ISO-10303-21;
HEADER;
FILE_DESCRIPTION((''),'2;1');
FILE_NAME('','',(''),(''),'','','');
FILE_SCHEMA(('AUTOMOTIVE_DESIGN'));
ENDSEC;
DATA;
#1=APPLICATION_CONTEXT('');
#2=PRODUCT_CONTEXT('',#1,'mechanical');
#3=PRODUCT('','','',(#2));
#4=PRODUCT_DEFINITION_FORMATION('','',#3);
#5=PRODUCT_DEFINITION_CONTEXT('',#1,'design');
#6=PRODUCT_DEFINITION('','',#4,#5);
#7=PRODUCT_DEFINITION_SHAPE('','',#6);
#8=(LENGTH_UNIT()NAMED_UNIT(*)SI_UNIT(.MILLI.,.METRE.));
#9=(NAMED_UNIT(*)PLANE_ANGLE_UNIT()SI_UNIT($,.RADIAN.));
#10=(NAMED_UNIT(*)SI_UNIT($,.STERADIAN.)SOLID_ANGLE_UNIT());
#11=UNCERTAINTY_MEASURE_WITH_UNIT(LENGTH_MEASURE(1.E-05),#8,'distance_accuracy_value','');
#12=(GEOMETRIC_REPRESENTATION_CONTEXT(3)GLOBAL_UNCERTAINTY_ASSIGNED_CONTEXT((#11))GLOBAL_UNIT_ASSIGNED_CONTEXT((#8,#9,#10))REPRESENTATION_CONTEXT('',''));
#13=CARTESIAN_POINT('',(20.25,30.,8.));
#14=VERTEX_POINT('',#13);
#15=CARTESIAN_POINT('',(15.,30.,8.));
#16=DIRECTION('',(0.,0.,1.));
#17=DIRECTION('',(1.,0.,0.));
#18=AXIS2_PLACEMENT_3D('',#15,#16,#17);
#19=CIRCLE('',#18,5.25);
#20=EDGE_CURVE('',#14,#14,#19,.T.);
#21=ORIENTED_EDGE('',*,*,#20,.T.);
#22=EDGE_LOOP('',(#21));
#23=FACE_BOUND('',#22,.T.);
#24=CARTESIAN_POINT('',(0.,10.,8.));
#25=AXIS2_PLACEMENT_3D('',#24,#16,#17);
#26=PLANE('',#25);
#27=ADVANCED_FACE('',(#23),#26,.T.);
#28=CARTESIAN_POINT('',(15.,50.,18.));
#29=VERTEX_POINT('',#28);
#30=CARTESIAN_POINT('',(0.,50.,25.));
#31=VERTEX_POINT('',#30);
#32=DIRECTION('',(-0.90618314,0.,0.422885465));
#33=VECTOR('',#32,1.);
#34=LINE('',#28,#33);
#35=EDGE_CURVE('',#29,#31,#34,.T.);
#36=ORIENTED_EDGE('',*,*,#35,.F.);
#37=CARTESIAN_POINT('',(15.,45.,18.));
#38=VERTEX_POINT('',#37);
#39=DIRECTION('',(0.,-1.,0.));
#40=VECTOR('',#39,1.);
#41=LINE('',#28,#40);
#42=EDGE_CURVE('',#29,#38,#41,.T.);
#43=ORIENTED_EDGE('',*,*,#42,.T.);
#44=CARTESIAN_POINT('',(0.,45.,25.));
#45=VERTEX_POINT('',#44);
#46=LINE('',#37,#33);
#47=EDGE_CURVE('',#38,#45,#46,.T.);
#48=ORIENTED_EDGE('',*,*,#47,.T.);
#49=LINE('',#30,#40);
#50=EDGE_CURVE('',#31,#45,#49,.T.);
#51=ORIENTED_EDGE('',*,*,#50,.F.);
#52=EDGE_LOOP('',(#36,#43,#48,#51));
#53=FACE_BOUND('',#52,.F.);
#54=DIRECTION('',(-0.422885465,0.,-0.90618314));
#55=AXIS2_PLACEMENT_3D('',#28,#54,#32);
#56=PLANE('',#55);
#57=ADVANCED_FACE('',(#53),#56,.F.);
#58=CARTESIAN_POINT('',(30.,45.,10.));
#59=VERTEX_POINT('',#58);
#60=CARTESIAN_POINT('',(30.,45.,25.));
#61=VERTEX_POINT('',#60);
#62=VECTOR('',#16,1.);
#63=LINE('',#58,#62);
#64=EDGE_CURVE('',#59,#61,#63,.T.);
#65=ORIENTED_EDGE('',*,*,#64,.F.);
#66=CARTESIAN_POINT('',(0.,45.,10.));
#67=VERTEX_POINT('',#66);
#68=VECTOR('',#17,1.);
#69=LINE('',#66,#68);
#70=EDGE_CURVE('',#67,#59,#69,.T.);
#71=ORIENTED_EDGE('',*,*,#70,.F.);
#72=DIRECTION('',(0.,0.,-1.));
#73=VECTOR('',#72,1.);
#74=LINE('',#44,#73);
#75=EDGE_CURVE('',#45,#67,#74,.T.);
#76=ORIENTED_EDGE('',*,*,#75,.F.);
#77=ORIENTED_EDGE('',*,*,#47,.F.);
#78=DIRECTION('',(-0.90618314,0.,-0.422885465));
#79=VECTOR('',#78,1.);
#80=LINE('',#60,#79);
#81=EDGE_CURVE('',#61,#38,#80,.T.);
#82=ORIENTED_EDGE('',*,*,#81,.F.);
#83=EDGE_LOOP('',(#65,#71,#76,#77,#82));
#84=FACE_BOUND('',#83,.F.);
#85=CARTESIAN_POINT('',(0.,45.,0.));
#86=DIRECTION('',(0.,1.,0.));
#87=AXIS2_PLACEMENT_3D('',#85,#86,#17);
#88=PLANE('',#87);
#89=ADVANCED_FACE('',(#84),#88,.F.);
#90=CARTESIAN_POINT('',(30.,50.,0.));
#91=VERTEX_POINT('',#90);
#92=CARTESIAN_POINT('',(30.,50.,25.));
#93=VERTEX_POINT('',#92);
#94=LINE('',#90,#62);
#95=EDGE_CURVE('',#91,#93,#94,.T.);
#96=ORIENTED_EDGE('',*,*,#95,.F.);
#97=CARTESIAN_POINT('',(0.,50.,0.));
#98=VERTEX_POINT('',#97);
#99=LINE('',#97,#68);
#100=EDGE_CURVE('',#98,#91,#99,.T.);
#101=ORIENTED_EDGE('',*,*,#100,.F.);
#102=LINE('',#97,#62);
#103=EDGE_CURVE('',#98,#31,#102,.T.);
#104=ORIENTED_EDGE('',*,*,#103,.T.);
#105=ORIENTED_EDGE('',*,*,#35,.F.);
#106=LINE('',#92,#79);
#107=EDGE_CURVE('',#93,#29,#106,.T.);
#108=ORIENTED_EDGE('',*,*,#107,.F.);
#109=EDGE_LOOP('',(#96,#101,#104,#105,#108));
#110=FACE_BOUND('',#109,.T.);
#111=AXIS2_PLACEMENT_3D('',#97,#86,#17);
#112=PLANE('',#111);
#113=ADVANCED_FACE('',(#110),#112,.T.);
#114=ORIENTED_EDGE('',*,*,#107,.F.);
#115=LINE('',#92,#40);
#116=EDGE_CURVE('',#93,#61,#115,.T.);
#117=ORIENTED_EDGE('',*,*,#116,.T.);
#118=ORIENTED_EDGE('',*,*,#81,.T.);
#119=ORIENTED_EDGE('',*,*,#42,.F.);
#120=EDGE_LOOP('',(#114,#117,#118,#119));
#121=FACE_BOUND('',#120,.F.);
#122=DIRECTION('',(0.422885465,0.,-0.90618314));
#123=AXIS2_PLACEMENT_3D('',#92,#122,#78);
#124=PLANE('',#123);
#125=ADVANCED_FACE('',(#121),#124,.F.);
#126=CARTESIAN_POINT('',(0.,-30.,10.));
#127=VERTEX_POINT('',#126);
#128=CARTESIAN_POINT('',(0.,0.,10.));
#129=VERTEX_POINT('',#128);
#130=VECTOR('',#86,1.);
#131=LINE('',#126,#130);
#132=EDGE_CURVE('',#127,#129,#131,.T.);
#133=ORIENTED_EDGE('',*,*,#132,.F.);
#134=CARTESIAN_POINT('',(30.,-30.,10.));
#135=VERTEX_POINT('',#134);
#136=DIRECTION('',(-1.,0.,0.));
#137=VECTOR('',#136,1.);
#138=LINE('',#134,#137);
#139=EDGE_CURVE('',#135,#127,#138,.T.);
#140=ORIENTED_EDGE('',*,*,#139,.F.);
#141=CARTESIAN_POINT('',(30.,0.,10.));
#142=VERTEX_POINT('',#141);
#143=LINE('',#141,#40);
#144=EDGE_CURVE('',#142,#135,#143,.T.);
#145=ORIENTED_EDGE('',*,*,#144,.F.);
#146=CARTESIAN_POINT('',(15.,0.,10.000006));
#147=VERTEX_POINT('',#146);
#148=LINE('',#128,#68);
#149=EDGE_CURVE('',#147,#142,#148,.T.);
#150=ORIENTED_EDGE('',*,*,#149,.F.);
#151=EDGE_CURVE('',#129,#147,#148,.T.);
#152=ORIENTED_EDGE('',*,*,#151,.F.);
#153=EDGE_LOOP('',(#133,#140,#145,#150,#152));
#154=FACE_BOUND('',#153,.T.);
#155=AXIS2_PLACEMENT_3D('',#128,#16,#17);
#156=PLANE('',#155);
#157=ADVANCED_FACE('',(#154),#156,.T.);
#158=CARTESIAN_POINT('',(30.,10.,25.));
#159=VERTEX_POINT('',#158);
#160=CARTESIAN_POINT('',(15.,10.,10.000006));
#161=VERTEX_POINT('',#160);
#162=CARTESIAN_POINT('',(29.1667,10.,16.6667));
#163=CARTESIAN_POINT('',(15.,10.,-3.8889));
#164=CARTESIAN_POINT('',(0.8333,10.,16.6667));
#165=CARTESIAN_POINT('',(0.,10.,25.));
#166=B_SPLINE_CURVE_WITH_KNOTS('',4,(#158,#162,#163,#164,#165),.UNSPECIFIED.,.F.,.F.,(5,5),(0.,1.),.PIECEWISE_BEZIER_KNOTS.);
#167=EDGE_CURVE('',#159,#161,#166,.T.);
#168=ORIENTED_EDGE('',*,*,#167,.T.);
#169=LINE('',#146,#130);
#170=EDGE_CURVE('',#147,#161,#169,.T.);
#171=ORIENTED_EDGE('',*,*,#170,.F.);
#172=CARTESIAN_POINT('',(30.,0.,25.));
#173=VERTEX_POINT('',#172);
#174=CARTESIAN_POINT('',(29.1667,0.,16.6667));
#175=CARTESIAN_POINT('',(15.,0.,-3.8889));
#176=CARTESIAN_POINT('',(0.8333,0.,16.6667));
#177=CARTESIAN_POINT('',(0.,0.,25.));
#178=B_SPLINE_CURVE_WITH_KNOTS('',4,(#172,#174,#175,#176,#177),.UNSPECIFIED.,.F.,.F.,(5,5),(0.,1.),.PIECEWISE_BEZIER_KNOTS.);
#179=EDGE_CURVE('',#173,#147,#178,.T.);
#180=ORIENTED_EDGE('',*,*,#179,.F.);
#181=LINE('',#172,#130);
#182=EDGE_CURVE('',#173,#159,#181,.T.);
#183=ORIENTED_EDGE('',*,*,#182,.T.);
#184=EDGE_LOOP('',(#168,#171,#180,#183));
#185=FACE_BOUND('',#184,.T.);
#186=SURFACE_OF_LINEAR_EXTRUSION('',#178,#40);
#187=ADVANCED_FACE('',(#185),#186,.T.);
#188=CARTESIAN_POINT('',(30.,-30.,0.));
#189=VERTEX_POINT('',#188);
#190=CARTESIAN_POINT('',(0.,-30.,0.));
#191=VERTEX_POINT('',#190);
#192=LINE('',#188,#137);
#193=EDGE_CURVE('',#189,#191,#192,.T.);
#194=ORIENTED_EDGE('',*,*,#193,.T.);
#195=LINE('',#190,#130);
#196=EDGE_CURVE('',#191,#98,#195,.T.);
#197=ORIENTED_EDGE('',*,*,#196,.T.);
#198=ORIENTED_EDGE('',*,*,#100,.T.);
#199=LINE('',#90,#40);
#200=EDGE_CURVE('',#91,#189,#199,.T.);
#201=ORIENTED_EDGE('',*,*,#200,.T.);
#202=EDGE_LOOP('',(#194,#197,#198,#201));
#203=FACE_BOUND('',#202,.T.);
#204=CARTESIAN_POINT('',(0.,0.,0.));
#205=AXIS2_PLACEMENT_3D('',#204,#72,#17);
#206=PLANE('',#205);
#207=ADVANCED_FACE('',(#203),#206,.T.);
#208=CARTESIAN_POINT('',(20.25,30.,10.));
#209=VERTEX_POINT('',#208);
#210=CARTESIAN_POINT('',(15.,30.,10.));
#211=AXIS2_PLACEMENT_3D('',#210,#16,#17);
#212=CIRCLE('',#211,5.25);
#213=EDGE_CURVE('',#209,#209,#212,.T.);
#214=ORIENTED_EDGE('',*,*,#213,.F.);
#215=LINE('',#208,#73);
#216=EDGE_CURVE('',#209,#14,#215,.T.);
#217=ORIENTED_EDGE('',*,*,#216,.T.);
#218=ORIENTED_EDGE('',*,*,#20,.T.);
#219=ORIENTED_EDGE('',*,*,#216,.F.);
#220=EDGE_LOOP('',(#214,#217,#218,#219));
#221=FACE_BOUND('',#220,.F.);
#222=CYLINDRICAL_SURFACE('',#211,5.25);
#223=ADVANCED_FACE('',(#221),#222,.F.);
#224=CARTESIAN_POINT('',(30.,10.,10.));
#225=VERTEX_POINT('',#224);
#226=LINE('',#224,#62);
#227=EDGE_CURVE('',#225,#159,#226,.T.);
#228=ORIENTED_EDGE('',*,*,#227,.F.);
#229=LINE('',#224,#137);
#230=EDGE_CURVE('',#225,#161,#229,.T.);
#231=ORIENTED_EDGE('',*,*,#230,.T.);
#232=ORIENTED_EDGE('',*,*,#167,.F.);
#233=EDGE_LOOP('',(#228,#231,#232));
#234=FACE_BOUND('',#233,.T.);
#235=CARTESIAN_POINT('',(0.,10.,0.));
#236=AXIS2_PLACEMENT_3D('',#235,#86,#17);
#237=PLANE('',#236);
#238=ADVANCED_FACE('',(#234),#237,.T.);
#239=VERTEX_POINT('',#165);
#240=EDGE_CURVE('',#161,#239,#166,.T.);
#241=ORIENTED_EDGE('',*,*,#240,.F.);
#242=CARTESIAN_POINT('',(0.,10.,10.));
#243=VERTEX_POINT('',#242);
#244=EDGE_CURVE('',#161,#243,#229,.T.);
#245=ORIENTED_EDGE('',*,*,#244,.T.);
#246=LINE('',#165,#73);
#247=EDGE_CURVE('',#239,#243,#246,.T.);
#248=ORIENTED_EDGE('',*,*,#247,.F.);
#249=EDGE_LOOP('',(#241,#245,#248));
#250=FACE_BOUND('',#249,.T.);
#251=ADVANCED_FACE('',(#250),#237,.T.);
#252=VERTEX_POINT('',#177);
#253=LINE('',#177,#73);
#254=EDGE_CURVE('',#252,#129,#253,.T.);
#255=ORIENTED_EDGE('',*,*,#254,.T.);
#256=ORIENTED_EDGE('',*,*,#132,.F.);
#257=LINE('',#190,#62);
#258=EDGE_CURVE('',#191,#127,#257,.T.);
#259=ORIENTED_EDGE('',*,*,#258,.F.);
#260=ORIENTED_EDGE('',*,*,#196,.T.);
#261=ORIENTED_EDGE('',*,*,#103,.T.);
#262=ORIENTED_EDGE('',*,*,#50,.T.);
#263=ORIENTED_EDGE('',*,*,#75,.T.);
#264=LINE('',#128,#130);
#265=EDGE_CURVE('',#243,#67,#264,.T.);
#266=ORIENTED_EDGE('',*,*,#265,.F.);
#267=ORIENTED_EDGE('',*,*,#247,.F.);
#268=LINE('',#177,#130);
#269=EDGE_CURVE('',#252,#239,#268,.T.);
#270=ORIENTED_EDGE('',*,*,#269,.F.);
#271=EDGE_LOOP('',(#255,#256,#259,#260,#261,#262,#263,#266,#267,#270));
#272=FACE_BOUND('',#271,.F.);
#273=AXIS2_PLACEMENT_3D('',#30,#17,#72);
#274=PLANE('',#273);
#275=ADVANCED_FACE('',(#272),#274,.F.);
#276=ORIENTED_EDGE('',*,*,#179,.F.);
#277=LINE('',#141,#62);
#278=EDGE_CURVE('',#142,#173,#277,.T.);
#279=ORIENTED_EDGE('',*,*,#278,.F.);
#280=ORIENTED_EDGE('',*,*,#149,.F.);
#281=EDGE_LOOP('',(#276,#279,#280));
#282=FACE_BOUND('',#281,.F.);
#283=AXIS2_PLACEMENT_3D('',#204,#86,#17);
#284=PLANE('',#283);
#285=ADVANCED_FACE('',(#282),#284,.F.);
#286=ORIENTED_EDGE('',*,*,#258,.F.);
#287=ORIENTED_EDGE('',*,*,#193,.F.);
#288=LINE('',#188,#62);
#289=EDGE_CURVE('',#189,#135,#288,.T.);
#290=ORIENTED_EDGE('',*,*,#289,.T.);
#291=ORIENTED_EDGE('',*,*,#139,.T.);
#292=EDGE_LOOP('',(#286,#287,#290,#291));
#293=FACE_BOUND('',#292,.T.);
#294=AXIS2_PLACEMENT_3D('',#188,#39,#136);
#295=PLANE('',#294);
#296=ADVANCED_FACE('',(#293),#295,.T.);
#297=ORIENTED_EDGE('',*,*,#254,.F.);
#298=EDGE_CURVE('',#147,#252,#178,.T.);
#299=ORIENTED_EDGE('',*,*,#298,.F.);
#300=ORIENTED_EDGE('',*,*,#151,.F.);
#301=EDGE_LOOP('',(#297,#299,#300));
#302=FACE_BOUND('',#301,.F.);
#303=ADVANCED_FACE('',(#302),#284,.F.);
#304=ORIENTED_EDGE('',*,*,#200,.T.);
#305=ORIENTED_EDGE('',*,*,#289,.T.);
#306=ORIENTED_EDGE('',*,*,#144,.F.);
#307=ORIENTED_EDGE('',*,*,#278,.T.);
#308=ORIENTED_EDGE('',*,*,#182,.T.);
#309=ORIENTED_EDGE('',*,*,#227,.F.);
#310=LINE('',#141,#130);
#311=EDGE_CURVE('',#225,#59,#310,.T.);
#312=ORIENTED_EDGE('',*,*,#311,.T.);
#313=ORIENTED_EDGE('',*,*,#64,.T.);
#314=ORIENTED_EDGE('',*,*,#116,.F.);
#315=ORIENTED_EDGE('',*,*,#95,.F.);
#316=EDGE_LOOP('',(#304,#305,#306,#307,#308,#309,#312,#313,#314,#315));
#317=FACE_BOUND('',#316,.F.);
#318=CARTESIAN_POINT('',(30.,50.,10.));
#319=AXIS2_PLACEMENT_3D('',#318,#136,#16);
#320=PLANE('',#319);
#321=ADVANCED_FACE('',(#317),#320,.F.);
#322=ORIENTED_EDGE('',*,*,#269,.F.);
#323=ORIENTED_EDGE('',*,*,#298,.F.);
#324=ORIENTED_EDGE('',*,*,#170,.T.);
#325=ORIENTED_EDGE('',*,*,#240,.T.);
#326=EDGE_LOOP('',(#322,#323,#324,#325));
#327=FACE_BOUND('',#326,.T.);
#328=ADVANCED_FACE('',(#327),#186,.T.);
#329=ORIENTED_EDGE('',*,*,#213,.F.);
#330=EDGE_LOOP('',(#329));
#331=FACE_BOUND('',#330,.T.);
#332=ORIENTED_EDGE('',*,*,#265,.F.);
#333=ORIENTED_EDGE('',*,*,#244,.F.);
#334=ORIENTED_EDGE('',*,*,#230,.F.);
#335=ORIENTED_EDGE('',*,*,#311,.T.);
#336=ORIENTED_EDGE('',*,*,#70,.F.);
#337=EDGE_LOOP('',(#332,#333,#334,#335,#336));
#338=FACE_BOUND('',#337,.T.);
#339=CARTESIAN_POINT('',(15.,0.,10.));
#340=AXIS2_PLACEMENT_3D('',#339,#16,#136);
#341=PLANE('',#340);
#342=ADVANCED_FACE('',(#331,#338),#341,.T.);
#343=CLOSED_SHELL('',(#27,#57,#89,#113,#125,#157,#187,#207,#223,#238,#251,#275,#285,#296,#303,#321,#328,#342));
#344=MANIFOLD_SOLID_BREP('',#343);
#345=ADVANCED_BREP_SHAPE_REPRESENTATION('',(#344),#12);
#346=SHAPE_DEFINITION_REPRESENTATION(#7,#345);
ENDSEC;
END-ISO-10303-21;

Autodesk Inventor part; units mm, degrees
ref_plane "YZ Plane" through (0, 0, 0) normal (1, 0, 0) x (0, 1, 0)
ref_plane "XZ Plane" through (0, 0, 0) normal (0, 1, 0) x (-1, 0, 0)
ref_plane "XY Plane" through (0, 0, 0) normal (0, 0, 1) x (1, 0, 0)
sketch "Sketch1" plane through (0, 0, 0) normal (0, 0, 1) x (1, 0, 0)
  line L0 (0, 0) -> (30, 0)
  line L1 (30, 0) -> (30, -30)
  line L2 (30, -30) -> (0, -30)
  line L3 (0, -30) -> (0, 0)
  dimension "d2" = 30
  dimension "d3" = 30
extrude "Extrusion1" add sketch "Sketch1" along normal blind 10
sketch "Sketch2" plane through (0, 0, 0) normal (0, 1, 0) x (1, 0, 0)
  line L0 (30, -10) -> (0, -10) projected
  line L1 (30, -10) -> (30, -25)
  line L2 (0, 0) -> (0, -10) projected
  line L3 (0, -25) -> (0, -10)
  spline S0 degree 4 poles (30, -25) (29.1667, -16.6667) (15, 3.8889) (0.8333, -16.6667) (0, -25) knots 0 0 0 0 0 1 1 1 1 1
  line L4 (15, -10) -> (30, -10) construction
  line L5 (15, -10) -> (0, -10) construction
  line L6 (0, -10) -> (5, -15) construction
  line L7 (5, -15) -> (25, -15) construction
  line L8 (30, -10) -> (25, -15) construction
  point P0 (24.1347, -10)
  point P1 (8.1347, -10)
  point P2 (15, -10)
  point P3 (0, -25)
  point P4 (30, -25)
  dimension "d16" = 15
  dimension "d18" = 0
  dimension "d19" = 5
  dimension "d20" = 5
extrude "Extrusion2" add sketch "Sketch2" along normal blind 10
sketch "Sketch3" plane through (0, 0, 0) normal (0, 1, 0) x (1, 0, 0)
  line L0 (0, 0) -> (30, 0) projected
  line L1 (0, 0) -> (0, -10) projected
  line L2 (30, 0) -> (30, -10) projected
  line L3 (15, -10) -> (0, -10) projected
  line L4 (30, -10) -> (15, -10) projected
extrude "Extrusion3" add sketch "Sketch3" along normal blind 50
sketch "Sketch4" plane through (0, 50, 0) normal (0, 1, 0) x (1, 0, 0)
  line L0 (30, -10) -> (30, -25)
  line L1 (30, -25) -> (15, -18)
  line L2 (15, -18) -> (0, -25)
  line L3 (0, -25) -> (0, -10)
  line L4 (0, -10) -> (30, -10) projected
  line L5 (30, -10) -> (0, -10)
  dimension "d27" = 8
  dimension "d28" = 15
extrude "Extrusion4" add sketch "Sketch4" against normal blind 5
sketch "Sketch5" plane through (0, 10, 10) normal (0, 0, 1) x (1, 0, 0)
  circle A0 centre (15, 20) radius 5.25
  line L0 (15, 20) -> (30, 20) construction
  line L1 (15, 20) -> (0, 20) construction
  line L2 (30, 0) -> (30, 35) construction
  line L3 (0, 0) -> (0, 35) construction
  line L4 (15, 0) -> (0, 0) construction
  point P0 (0, -10)
  point P1 (30, 40)
  point P2 (0, 40)
  dimension "d21" = 10.5
  dimension "d22" = 20
extrude "Extrusion5" cut sketch "Sketch5" against normal blind 2
properties part number "stand"
